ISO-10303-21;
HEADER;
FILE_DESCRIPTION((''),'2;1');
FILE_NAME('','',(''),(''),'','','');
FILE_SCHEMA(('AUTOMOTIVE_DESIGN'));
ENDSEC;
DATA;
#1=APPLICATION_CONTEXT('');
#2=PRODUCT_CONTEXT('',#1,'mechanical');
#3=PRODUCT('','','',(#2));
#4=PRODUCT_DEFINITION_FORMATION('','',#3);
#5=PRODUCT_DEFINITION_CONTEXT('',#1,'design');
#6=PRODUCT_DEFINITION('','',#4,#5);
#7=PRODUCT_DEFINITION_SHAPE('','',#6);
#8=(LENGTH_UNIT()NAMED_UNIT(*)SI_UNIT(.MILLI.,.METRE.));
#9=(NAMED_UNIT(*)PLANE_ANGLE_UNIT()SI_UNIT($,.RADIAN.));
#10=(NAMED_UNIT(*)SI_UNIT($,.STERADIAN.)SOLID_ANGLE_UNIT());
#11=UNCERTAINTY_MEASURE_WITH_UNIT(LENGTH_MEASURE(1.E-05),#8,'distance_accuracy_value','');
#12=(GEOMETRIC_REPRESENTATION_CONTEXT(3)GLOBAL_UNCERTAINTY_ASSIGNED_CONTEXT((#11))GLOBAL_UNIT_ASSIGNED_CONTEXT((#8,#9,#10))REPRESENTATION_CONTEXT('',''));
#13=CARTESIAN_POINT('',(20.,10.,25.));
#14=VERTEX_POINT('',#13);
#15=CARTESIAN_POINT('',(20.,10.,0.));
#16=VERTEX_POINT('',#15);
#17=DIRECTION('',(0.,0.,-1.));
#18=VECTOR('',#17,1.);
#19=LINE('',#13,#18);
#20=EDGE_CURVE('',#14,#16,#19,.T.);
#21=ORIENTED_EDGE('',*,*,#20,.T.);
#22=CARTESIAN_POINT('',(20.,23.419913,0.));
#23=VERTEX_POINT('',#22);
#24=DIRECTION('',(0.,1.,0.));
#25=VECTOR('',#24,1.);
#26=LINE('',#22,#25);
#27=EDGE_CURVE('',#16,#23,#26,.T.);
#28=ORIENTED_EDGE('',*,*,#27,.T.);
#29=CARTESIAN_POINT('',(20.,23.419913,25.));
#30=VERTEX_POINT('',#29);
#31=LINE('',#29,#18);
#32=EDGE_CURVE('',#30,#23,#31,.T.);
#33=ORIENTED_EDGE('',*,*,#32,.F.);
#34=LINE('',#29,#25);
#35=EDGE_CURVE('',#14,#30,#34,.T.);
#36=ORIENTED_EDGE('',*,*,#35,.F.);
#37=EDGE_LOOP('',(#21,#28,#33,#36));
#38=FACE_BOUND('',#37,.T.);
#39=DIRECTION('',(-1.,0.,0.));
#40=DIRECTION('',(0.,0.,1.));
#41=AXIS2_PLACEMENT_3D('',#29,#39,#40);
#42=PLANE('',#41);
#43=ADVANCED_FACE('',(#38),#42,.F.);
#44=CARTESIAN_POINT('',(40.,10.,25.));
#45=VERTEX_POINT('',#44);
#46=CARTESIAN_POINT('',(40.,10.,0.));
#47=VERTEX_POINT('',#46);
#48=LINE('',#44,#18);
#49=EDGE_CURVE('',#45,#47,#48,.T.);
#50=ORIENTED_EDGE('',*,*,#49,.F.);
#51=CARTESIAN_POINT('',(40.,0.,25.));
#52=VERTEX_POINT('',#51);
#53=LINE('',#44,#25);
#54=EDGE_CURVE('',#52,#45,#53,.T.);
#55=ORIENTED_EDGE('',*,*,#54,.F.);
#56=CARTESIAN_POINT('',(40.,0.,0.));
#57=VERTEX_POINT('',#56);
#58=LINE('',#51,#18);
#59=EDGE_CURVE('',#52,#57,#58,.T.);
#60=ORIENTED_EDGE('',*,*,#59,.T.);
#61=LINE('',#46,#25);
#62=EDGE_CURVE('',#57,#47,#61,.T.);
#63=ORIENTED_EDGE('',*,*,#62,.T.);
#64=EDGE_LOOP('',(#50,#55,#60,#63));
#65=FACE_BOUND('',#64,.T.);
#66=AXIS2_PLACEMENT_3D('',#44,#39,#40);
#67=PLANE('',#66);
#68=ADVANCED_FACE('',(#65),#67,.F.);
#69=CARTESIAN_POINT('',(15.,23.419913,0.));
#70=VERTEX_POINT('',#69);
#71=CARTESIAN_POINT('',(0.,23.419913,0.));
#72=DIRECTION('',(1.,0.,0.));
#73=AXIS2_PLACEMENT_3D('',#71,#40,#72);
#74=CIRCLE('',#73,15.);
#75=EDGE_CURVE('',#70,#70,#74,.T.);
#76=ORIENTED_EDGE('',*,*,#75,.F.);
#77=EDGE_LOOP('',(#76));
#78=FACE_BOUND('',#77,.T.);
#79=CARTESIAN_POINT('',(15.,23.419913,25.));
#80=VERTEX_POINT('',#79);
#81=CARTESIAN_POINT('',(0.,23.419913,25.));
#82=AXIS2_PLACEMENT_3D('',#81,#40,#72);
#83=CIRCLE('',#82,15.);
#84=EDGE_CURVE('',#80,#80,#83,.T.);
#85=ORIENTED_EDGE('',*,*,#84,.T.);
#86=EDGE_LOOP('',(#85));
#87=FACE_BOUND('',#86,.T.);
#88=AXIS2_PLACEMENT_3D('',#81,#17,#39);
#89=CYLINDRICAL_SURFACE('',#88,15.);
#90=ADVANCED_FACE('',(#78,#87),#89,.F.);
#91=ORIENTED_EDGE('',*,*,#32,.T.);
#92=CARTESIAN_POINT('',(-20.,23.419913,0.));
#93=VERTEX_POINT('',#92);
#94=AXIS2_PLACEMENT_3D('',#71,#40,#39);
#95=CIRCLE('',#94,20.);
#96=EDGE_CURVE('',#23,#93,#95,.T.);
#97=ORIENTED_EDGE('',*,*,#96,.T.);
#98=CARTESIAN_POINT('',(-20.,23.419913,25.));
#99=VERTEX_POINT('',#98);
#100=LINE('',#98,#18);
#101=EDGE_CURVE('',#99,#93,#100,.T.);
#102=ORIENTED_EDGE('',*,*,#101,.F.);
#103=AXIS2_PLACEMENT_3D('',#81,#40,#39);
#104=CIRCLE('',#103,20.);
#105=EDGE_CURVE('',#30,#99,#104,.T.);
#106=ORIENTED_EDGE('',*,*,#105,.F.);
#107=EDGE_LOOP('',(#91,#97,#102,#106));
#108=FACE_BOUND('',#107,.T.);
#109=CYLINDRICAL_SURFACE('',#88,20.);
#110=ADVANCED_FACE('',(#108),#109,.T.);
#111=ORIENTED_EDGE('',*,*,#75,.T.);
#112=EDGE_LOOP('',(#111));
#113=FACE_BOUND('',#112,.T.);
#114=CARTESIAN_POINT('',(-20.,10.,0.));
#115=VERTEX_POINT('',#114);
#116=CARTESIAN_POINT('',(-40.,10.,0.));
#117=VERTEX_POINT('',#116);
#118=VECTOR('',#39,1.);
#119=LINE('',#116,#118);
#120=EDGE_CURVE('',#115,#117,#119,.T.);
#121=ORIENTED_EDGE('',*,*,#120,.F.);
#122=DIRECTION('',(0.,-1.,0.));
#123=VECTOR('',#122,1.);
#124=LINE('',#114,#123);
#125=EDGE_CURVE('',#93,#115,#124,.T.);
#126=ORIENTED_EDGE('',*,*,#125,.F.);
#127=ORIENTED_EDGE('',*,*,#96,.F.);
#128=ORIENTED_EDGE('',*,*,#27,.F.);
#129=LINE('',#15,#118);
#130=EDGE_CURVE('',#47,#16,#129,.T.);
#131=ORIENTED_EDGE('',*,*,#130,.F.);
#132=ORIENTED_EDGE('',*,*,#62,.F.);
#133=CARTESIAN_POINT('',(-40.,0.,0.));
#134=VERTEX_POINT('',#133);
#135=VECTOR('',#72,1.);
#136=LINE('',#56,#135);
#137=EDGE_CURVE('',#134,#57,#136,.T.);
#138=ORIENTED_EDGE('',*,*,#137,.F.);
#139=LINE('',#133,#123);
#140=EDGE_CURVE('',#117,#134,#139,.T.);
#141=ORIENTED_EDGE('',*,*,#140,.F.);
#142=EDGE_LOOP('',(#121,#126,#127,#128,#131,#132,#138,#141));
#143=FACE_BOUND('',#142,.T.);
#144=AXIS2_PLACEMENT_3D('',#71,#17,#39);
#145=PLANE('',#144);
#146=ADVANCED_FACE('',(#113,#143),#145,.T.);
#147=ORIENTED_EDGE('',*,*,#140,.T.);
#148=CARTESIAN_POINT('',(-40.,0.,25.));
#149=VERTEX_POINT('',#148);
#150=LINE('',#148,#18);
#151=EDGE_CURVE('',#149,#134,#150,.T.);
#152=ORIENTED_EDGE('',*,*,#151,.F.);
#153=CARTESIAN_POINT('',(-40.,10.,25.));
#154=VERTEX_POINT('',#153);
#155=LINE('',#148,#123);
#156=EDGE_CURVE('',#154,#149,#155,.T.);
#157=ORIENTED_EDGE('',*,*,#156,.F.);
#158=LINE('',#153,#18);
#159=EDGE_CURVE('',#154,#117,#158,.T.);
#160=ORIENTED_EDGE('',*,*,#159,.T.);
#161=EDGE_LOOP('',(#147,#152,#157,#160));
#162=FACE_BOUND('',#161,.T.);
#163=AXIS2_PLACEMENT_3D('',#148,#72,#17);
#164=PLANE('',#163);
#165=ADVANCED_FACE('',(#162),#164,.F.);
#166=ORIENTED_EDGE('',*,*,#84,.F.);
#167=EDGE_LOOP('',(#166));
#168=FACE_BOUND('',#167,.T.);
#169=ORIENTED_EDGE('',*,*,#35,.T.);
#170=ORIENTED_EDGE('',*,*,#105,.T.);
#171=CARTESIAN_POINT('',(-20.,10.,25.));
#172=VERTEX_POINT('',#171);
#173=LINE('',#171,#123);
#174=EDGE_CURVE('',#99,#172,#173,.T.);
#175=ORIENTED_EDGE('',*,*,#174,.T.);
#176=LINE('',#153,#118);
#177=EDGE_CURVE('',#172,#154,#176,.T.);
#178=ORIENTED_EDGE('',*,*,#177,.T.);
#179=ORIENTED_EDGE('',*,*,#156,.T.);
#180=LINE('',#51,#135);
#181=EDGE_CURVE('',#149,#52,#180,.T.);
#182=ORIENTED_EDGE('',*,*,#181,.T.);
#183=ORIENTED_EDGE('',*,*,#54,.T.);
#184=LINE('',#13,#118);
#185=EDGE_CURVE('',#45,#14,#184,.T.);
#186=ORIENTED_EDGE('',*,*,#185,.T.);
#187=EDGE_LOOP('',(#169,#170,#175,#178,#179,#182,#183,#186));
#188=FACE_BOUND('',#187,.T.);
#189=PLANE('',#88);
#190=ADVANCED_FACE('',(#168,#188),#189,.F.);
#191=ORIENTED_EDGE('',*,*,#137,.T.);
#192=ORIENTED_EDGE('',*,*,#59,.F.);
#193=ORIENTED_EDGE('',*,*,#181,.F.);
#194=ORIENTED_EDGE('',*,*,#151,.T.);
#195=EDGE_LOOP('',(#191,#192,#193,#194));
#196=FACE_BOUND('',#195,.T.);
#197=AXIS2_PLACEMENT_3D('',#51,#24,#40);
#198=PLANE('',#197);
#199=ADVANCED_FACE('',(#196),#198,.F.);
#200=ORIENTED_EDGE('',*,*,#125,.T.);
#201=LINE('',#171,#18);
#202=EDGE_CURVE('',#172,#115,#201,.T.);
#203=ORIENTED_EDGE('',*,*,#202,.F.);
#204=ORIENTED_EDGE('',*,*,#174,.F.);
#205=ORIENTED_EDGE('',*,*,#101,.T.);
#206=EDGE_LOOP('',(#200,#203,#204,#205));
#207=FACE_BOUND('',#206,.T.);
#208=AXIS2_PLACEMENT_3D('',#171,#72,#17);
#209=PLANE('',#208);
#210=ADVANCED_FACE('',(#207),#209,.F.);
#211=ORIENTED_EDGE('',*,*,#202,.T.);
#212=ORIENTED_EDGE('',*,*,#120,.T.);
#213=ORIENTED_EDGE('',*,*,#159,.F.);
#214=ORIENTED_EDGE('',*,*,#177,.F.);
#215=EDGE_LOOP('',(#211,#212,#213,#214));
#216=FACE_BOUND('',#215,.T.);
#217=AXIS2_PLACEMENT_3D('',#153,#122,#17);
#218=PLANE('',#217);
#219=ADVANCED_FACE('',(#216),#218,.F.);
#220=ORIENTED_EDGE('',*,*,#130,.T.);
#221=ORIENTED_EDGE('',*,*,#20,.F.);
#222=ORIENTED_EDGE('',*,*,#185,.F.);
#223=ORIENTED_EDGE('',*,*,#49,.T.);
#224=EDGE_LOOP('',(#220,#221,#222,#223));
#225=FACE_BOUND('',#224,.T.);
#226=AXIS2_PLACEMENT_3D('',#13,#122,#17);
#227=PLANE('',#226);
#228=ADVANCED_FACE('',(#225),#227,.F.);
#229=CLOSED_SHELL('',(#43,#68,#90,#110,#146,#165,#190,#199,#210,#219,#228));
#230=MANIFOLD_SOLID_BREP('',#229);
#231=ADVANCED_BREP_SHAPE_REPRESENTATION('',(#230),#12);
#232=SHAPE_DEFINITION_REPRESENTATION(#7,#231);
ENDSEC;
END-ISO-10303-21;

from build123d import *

# Parameters (mm, degrees)
SKETCH1_R           = 15
BOSS_EXTRUDE1_DEPTH = 25


with BuildPart() as part:
    # Sketch1 → Boss-Extrude1 (new body)
    with BuildSketch(Plane.XY):
        with BuildLine():
            Line((40, 0), (-40, 0))
            Line((-40, 0), (-40, 10))
            Line((-40, 10), (-20, 10))
            Line((-20, 10), (-20, 23.41991342))
            ThreePointArc((-20, 23.41991342), (0, 43.41991342), (20, 23.41991342))
            Line((20, 23.41991342), (20, 10))
            Line((20, 10), (40, 10))
            Line((40, 10), (40, 0))
        make_face()
        with Locations((0, 23.41991342)):
            Circle(SKETCH1_R, mode=Mode.SUBTRACT)
    extrude(amount=BOSS_EXTRUDE1_DEPTH)


solid = part.part
